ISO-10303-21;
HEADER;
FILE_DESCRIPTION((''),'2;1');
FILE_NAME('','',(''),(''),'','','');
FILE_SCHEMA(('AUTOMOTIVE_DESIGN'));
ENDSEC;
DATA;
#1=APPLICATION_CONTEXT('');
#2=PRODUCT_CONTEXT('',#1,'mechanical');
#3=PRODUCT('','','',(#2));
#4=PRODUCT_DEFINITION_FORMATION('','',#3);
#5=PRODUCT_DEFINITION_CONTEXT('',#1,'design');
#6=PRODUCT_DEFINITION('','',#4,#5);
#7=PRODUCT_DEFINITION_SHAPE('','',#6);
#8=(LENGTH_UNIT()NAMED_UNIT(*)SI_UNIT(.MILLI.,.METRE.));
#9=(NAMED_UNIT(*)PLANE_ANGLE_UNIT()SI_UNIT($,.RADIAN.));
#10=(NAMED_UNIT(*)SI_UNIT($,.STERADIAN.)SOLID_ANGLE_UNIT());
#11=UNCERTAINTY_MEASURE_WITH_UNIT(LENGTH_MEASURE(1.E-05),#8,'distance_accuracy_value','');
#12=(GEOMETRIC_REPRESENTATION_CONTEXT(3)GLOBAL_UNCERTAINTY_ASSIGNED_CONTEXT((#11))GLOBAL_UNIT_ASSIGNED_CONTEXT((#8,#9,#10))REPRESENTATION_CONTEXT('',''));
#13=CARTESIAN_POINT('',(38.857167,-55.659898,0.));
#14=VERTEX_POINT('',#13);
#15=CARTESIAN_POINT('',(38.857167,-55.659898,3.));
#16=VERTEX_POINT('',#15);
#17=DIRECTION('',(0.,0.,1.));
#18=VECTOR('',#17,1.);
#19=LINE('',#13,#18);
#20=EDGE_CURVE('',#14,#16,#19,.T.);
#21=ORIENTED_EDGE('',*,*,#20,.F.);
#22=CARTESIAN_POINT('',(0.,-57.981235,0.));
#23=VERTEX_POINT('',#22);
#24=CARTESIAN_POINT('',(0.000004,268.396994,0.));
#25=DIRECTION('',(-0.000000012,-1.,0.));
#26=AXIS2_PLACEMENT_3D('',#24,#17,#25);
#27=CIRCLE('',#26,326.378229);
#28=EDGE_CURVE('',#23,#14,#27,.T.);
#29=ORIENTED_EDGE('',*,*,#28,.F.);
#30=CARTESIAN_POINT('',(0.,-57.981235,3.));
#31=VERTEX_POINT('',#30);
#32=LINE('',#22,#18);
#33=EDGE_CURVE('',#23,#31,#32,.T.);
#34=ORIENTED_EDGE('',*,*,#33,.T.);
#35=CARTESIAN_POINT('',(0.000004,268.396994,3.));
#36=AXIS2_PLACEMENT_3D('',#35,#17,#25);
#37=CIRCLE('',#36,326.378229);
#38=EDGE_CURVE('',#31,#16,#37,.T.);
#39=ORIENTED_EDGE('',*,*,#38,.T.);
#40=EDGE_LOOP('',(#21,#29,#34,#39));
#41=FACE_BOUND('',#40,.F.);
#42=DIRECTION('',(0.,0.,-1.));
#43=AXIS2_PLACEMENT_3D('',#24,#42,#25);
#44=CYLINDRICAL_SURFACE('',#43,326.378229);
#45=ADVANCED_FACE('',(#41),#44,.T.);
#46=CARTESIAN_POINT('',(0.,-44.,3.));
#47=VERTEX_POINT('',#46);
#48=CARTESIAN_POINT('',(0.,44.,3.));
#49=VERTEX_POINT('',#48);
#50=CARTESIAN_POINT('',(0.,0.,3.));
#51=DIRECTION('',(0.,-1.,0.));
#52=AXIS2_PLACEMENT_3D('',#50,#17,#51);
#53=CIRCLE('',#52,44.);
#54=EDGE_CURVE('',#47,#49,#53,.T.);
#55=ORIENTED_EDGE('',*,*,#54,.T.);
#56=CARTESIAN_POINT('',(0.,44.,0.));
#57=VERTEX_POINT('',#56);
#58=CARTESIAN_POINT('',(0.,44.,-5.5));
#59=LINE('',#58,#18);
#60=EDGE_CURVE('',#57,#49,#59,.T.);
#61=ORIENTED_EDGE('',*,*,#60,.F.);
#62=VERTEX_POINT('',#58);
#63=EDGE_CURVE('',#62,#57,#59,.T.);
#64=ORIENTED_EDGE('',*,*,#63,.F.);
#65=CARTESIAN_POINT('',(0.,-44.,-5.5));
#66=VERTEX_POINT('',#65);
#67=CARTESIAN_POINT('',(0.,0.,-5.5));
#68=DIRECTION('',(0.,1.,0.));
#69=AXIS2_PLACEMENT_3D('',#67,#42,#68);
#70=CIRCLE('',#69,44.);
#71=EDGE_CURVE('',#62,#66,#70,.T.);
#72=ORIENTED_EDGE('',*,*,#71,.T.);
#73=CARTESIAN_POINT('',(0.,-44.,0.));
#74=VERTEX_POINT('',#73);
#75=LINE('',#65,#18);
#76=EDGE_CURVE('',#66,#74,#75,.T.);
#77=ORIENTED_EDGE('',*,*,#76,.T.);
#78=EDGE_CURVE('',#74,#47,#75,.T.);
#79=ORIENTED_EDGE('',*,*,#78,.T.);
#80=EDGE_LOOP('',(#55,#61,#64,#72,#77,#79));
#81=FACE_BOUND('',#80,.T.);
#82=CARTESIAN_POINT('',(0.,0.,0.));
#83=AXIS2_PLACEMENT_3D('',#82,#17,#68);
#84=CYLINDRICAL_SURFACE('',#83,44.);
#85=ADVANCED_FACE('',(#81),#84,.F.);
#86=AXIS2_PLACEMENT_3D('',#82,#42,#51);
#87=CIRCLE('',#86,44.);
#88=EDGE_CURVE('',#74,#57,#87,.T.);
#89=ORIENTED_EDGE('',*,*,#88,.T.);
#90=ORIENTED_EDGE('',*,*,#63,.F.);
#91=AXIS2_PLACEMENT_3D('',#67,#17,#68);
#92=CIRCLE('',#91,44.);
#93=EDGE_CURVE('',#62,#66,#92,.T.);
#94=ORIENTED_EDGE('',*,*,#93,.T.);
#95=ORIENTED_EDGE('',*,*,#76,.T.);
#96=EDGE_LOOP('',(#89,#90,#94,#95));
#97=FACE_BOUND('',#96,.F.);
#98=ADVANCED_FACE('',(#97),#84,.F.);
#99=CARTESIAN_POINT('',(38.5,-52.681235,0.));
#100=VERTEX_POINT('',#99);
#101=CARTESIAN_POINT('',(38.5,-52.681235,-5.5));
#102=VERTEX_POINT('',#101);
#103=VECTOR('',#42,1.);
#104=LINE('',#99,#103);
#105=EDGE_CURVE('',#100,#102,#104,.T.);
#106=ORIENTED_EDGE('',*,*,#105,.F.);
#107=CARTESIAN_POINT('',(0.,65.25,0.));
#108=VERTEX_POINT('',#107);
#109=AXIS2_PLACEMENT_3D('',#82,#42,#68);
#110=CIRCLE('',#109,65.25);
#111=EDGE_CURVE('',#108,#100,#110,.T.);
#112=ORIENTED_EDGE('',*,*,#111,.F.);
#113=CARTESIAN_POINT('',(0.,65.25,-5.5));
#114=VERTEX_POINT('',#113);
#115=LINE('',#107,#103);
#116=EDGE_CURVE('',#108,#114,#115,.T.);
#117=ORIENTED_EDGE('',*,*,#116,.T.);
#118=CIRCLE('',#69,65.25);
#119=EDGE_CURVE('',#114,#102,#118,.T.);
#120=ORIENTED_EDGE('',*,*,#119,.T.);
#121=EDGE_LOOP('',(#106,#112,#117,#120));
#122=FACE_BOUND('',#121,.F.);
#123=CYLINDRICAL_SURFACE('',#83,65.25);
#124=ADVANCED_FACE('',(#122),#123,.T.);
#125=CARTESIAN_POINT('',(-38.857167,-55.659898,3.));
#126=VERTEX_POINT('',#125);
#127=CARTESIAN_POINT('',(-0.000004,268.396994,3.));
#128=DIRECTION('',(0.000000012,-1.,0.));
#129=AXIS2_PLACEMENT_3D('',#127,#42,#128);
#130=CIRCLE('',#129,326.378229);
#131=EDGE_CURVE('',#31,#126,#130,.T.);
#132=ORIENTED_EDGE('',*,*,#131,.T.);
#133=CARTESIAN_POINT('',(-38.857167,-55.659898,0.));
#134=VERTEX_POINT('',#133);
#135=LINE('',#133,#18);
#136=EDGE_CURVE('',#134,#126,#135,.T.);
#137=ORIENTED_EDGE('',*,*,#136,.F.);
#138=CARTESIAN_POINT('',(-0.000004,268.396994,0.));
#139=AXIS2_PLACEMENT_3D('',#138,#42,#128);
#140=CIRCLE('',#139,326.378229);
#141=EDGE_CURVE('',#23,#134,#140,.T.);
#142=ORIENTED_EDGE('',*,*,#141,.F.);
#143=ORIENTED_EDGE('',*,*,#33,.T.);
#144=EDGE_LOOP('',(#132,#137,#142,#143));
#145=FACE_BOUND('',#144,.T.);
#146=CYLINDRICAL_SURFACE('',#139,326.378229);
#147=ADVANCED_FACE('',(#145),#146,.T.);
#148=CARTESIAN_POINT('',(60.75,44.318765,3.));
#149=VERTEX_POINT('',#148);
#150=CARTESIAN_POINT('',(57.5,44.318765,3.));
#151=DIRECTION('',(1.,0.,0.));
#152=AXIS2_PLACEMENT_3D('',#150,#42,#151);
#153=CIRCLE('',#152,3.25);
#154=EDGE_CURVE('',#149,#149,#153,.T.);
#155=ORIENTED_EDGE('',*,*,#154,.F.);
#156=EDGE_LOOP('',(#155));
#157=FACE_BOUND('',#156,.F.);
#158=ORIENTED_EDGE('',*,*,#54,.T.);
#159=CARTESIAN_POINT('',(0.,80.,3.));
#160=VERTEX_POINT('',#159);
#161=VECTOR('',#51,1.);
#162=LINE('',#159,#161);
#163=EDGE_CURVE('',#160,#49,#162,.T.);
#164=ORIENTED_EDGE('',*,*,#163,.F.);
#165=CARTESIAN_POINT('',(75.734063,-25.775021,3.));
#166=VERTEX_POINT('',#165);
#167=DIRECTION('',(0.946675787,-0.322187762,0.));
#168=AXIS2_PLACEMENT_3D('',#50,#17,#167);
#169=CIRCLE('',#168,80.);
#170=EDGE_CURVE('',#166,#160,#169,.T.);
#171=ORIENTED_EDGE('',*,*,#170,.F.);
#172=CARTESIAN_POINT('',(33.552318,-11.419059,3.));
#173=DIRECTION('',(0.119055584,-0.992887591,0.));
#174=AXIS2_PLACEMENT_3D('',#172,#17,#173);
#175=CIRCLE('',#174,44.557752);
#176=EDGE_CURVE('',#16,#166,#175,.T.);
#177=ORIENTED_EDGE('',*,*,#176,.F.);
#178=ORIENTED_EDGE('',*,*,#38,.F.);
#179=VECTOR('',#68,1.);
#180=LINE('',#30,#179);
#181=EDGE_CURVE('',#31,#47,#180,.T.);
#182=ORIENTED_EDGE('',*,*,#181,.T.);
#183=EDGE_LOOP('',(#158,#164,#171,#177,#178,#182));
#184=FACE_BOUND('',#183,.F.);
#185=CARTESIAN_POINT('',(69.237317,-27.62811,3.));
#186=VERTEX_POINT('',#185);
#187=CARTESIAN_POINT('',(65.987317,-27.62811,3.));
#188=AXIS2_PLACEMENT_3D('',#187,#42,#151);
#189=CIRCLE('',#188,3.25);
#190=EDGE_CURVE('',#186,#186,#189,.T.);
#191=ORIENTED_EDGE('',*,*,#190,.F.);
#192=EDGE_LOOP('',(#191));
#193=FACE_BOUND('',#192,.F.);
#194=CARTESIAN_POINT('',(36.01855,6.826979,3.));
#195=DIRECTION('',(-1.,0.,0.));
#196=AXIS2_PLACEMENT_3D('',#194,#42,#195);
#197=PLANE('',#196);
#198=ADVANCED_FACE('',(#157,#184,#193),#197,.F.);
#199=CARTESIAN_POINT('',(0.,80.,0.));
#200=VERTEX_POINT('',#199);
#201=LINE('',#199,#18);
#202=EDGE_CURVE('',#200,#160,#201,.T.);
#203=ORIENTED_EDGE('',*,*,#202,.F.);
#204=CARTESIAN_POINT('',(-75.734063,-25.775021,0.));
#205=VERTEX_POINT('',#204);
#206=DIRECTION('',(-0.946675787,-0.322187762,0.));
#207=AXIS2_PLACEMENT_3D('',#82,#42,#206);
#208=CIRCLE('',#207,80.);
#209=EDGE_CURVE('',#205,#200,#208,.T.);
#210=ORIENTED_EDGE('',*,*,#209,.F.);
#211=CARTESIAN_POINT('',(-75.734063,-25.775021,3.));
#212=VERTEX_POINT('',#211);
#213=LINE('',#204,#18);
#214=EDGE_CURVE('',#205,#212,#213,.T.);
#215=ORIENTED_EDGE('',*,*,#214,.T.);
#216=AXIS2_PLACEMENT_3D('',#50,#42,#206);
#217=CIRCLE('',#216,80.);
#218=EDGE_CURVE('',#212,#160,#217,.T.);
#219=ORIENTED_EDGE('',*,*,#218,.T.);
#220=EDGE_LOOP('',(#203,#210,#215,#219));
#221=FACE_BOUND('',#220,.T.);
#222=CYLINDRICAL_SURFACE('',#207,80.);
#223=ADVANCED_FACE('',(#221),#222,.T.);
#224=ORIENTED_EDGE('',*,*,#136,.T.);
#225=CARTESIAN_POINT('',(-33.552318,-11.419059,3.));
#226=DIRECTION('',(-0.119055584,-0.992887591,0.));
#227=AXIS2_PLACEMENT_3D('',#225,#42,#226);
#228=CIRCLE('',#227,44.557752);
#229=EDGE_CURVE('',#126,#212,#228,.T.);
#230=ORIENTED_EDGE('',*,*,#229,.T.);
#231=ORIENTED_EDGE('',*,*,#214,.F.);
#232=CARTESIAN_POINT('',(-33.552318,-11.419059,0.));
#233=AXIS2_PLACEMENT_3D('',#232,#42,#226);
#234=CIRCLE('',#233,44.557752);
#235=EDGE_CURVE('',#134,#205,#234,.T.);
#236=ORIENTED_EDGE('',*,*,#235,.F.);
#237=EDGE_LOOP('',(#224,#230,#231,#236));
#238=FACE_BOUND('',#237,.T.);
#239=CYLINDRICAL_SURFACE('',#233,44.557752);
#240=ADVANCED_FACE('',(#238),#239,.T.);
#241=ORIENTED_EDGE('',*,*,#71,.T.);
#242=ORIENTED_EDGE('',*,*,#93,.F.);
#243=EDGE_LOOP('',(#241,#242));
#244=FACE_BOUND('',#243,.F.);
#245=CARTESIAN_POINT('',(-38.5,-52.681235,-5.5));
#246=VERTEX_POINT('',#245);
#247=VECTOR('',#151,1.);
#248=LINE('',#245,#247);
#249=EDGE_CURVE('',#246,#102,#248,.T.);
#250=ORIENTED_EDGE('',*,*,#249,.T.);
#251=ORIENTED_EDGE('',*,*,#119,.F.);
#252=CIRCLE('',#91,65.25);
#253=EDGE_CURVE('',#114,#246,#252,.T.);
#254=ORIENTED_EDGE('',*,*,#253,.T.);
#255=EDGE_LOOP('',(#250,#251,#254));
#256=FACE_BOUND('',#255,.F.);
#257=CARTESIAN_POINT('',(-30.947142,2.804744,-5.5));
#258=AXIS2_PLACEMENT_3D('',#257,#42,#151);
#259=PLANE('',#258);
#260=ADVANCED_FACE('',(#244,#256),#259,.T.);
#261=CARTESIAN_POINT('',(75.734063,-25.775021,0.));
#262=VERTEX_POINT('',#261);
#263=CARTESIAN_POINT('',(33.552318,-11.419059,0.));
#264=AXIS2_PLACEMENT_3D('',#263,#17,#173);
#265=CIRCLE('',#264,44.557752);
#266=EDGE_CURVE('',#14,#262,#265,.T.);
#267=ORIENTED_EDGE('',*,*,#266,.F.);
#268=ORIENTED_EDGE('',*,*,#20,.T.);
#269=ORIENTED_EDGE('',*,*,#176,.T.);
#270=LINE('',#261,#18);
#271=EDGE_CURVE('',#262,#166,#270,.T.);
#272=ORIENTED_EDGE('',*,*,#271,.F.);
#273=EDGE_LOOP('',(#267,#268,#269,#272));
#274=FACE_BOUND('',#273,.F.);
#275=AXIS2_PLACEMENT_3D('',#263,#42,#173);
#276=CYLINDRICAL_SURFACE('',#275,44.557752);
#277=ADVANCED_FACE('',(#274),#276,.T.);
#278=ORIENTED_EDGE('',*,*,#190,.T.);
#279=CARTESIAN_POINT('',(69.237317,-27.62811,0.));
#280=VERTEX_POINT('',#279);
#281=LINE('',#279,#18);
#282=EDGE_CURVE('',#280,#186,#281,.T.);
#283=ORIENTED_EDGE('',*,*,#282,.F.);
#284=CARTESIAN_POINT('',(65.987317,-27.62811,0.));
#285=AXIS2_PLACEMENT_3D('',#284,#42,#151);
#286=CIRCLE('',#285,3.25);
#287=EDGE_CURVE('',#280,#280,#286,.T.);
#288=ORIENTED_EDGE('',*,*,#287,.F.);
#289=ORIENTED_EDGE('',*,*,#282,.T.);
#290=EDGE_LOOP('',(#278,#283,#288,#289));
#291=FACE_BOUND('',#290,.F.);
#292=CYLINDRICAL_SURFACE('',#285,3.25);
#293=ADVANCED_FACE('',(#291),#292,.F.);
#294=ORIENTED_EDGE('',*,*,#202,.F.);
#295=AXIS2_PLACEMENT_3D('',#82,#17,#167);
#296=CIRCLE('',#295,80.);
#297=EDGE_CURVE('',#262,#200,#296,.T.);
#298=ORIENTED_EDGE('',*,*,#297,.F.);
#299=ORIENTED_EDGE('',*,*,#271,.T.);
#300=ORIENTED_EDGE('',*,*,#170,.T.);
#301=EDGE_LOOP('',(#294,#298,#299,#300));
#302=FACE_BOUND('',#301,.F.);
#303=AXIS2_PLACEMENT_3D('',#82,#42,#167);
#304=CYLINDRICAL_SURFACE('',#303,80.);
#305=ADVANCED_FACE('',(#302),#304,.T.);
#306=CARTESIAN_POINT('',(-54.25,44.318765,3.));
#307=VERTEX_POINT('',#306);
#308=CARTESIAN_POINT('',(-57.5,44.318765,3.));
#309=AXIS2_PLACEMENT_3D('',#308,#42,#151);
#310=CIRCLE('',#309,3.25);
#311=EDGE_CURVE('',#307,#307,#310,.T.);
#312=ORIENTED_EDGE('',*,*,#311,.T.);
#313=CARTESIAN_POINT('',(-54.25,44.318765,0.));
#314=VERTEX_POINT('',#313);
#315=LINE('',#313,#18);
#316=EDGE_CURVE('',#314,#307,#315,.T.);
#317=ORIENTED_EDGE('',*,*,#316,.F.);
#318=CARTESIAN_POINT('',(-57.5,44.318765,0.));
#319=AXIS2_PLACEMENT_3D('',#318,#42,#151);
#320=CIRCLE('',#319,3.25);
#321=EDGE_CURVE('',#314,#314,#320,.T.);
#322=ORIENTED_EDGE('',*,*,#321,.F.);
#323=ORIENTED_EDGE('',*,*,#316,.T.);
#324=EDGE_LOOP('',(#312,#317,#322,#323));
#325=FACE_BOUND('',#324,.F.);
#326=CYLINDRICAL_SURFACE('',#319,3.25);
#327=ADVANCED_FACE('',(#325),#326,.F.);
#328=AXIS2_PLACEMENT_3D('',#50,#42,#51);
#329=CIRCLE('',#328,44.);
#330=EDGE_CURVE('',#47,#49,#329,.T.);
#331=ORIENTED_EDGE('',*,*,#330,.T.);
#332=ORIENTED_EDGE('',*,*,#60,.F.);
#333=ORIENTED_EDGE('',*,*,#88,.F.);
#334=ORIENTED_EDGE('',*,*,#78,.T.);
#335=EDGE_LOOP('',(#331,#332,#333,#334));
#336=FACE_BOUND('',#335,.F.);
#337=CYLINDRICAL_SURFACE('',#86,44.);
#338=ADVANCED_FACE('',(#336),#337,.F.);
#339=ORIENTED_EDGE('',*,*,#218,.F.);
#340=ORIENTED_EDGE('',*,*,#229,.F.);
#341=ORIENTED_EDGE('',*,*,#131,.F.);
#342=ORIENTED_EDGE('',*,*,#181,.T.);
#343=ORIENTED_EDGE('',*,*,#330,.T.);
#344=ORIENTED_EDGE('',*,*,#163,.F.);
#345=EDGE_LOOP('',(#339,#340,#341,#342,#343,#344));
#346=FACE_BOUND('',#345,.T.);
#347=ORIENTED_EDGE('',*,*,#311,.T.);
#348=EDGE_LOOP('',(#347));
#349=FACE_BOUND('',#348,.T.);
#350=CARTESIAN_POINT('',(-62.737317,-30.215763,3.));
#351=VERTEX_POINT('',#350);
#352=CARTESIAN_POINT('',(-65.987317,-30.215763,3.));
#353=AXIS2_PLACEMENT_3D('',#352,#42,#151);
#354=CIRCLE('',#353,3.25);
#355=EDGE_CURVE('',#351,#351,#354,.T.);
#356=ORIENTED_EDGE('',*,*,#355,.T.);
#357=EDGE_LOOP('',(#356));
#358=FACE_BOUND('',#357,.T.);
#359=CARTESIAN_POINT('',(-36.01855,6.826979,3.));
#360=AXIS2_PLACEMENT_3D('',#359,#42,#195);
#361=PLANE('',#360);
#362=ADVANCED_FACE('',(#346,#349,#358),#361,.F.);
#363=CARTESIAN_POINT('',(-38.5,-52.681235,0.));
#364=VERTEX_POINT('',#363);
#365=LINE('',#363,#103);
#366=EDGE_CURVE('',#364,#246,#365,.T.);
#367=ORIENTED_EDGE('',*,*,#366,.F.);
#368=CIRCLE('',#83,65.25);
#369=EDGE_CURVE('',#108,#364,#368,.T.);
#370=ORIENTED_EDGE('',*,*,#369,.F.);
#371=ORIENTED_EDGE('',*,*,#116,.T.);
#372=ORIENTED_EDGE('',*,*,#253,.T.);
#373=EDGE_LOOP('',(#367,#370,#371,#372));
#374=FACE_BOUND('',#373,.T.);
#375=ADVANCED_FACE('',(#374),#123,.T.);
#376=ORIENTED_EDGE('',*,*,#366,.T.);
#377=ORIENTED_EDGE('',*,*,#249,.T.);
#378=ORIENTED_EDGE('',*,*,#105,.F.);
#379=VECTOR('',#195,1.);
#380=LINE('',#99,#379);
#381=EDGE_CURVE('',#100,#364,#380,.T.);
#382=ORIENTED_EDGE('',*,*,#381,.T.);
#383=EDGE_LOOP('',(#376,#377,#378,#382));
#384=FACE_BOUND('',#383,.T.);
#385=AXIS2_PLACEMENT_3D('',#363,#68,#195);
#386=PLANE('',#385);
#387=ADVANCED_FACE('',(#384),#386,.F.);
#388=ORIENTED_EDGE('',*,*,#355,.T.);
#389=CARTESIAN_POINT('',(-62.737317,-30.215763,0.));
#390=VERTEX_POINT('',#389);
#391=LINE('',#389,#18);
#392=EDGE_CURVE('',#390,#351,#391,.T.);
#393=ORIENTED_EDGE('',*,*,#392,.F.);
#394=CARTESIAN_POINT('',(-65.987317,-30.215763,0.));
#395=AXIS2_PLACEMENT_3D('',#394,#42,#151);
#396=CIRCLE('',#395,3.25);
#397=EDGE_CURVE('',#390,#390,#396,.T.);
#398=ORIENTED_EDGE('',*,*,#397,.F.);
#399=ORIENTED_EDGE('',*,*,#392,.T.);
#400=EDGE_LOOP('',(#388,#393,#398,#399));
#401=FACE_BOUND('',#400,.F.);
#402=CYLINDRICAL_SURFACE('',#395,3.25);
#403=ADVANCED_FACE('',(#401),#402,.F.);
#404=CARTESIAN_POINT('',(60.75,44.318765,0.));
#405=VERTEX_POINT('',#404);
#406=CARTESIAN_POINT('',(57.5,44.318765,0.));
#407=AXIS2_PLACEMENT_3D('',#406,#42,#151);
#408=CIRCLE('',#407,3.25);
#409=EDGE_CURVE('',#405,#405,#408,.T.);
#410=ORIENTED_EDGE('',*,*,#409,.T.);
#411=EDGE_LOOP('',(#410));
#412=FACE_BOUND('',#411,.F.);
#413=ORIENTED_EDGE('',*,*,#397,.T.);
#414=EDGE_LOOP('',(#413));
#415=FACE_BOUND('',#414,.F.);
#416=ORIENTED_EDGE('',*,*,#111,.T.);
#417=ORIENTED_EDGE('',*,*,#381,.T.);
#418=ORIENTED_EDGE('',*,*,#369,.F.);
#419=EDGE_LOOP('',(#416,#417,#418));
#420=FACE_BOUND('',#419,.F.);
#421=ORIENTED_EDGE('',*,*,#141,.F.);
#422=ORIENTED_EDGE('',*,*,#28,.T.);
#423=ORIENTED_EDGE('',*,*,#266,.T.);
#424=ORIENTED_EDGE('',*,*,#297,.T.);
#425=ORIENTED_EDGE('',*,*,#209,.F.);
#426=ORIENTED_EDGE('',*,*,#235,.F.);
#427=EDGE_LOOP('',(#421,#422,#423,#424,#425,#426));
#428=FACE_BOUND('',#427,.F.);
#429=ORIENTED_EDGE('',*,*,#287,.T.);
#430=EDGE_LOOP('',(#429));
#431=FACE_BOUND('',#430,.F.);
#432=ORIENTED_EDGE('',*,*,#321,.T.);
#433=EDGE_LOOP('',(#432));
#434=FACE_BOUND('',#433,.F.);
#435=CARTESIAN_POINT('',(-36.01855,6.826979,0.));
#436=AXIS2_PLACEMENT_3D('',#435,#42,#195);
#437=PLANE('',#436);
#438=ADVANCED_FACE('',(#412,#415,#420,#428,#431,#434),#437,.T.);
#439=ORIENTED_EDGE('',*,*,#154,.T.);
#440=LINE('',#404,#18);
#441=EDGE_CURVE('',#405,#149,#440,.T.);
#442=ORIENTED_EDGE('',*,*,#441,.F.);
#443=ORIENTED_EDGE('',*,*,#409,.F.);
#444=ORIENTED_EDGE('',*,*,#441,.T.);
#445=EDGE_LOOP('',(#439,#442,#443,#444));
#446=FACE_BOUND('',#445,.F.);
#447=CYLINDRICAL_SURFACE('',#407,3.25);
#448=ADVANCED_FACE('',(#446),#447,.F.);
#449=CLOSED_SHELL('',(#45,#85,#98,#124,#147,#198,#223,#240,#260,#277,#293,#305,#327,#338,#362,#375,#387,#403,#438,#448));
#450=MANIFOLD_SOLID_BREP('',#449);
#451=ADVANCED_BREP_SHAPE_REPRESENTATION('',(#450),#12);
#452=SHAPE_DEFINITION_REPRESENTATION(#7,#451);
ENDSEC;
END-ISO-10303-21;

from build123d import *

# Parameters (mm, degrees)
PAD_DEPTH    = 3
PAD001_DEPTH = 5.5
SKETCH002_R  = 3.25
POCKET_DEPTH = 5


with BuildPart() as part:
    # Sketch → Pad (new body)
    with BuildSketch(Plane.XY):
        with BuildLine():
            ThreePointArc((0, -44), (44, 0), (0, 44))
            Line((0, 80), (0, 44))
            ThreePointArc((75.734063, -25.775021), (65.046144, 46.572515), (0, 80))
            ThreePointArc((38.857167, -55.659898), (61.606206, -46.036578), (75.734063, -25.775021))
            ThreePointArc((0, -57.981235), (19.463222, -57.400384), (38.857167, -55.659898))
            Line((0, -57.981235), (0, -44))
        make_face()
    pad = extrude(amount=PAD_DEPTH)

    # Sketch001 (on Face7 of Pad) → Pad001 (join)
    with BuildSketch(Plane(origin=(0, 0, 0), x_dir=(1, 0, 0), z_dir=(0, 0, -1))):
        with BuildLine():
            ThreePointArc((0, -65.25), (62.028272, -20.249839), (38.5, 52.681235))
            Line((38.5, 52.681235), (0, 52.681235))
            Line((0, 44), (0, 52.681235))
            ThreePointArc((0, -44), (44, 0), (0, 44))
            Line((0, -44), (0, -65.25))
        make_face()
    pad001 = extrude(amount=PAD001_DEPTH)

    # Mirrored: Pad, Pad001 across Sketch V_Axis
    add(pad.mirror(Plane(origin=(0, 0, 0), x_dir=(0, 0, 1), z_dir=(1, 0, 0))))
    add(pad001.mirror(Plane(origin=(0, 0, 0), x_dir=(0, 0, 1), z_dir=(1, 0, 0))))

    # Sketch002 (on Face4 of Mirrored) → Pocket (cut)
    with BuildSketch(Plane(origin=(0, 0, 0), x_dir=(1, 0, 0), z_dir=(0, 0, -1))):
        with Locations((65.987317, 27.62811)):
            Circle(SKETCH002_R)
        with Locations((57.5, -44.318765)):
            Circle(SKETCH002_R)
        with Locations((-57.5, -44.318765)):
            Circle(SKETCH002_R)
        with Locations((-65.987317, 30.215763)):
            Circle(SKETCH002_R)
    extrude(amount=-POCKET_DEPTH, mode=Mode.SUBTRACT)


solid = part.part
